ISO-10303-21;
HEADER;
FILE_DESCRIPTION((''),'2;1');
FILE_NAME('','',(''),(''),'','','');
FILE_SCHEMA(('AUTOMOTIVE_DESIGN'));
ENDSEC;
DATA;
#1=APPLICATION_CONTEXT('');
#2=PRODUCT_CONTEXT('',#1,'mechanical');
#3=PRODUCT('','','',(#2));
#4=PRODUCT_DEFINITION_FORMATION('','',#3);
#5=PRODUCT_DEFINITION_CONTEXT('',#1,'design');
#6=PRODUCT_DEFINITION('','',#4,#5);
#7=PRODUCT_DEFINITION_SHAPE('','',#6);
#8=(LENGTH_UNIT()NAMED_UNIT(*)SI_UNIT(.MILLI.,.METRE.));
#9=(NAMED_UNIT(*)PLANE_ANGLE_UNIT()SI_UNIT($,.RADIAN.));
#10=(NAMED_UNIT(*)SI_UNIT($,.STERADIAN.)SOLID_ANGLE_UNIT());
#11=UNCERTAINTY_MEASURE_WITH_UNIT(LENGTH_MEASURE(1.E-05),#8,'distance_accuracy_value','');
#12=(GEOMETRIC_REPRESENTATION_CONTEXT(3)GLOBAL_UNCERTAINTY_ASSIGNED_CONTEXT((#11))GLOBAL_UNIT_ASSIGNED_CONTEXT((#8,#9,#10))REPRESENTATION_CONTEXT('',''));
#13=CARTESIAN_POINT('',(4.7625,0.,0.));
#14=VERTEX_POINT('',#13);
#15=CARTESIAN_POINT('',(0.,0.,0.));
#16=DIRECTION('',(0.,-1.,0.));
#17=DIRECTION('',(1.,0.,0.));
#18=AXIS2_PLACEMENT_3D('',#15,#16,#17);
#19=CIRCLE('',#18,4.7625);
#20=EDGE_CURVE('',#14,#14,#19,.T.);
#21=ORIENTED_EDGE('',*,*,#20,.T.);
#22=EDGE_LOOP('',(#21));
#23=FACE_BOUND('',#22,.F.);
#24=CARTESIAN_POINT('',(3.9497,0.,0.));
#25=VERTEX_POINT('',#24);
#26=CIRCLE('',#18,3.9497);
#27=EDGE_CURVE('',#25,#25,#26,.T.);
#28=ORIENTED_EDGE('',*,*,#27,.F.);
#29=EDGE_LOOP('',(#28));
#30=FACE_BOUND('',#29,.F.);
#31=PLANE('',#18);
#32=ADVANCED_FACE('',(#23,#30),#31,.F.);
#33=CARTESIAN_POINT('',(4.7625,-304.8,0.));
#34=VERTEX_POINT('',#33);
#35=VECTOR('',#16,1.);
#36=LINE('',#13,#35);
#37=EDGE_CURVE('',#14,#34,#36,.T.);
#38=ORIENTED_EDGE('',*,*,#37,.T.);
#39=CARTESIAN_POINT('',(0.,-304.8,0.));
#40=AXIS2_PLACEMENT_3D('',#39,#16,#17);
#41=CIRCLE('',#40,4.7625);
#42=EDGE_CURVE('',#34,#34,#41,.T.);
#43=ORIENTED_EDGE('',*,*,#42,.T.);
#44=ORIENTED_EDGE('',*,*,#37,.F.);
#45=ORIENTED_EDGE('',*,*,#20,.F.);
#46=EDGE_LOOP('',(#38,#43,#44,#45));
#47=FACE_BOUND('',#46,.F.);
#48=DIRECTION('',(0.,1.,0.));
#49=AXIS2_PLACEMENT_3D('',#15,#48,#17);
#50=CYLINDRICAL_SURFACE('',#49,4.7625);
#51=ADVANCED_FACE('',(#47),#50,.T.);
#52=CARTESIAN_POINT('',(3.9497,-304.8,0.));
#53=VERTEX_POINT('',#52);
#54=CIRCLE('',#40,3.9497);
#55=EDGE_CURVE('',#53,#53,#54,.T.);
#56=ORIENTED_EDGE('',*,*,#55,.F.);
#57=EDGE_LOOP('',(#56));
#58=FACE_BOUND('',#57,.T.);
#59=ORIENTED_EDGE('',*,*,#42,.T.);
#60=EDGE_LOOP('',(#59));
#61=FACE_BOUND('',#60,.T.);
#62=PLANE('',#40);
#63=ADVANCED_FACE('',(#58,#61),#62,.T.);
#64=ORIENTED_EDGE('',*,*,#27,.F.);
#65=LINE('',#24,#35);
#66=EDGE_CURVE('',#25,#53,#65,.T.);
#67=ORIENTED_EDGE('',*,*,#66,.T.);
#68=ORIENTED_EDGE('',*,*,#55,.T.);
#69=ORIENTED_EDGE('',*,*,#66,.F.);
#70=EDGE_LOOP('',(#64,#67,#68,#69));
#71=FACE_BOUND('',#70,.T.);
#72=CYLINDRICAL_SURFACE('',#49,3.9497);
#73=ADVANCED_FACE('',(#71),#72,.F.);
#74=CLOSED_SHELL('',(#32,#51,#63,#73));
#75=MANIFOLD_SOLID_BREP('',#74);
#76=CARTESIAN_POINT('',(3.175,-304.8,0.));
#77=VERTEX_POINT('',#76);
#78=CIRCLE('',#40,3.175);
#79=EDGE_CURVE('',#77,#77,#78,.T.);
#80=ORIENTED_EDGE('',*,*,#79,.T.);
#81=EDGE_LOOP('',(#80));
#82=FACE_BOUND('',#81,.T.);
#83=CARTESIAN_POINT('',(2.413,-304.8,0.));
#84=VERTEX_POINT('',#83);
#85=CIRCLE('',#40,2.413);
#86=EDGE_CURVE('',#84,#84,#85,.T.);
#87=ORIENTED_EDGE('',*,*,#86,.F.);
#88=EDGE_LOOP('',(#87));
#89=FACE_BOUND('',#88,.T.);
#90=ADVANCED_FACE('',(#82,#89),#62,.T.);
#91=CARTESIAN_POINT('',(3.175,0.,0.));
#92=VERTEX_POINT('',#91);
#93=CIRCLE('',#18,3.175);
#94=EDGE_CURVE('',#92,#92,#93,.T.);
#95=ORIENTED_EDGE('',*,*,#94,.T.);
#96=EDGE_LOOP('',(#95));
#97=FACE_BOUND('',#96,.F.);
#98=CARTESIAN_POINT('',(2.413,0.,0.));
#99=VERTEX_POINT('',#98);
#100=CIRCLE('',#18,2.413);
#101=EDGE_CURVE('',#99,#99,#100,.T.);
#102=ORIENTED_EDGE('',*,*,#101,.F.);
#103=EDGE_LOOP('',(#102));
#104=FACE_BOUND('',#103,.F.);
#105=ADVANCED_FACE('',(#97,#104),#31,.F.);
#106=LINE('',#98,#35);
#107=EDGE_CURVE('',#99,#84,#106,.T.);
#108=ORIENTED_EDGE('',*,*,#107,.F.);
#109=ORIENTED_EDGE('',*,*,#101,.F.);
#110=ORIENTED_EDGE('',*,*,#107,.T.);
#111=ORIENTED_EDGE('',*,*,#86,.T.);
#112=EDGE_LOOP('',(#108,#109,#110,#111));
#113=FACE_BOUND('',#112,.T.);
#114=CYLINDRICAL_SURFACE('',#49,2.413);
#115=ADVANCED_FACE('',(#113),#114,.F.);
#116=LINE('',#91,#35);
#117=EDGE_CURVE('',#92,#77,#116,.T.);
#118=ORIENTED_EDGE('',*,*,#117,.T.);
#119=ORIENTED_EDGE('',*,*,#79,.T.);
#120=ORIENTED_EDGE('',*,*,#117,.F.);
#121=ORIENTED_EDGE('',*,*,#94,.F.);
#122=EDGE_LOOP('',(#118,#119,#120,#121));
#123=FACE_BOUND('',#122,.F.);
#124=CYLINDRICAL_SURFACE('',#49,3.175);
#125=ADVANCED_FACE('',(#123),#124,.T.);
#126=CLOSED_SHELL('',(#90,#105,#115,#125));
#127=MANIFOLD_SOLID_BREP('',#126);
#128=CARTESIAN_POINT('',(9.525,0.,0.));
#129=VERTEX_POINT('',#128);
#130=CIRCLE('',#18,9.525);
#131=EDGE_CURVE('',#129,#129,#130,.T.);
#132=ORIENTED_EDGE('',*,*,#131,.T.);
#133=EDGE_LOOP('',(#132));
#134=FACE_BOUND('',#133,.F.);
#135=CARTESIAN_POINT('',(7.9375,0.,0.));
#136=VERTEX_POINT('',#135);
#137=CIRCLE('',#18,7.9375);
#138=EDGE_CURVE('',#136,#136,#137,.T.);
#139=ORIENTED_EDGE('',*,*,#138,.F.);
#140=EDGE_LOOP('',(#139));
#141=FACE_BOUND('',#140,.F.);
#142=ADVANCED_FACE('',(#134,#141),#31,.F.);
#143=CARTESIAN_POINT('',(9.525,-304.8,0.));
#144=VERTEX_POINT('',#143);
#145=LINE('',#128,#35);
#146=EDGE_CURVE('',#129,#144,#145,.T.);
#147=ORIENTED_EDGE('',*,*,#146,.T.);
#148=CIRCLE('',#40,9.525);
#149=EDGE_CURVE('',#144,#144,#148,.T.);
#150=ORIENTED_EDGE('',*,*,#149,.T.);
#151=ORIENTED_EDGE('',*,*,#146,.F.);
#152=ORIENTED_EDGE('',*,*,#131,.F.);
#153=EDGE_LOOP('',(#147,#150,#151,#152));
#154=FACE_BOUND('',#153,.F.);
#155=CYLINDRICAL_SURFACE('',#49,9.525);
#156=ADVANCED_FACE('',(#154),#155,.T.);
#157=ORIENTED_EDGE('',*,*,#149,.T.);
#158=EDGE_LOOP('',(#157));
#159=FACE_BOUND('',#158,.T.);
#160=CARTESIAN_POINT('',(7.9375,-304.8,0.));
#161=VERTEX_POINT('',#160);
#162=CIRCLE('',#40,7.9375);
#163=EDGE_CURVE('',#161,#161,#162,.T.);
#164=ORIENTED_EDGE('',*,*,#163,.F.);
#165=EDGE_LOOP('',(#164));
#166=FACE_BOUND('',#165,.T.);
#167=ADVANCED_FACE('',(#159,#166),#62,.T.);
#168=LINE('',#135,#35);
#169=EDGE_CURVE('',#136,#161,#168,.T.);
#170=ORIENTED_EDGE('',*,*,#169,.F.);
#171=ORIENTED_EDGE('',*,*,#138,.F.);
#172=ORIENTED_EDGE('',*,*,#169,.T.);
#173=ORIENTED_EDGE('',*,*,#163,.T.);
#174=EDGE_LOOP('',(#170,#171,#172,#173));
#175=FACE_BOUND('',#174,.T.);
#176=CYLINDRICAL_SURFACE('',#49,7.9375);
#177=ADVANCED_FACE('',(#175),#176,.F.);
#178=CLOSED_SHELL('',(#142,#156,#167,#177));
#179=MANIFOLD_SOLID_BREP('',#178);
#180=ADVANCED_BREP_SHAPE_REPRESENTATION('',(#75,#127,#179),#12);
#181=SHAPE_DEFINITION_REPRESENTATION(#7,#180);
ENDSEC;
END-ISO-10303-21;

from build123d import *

# Parameters (mm, degrees)
F0_R     = 3.175
F0_R_2   = 2.413
F1_DEPTH = 304.8
F0_R_3   = 4.7625
F0_R_4   = 3.9497
F0_R_5   = 9.525
F0_R_6   = 7.9375


with BuildPart() as f1:
    # F0 (on Front) → F1 (new body)
    with BuildSketch(Plane.XZ):
        Circle(F0_R)
        Circle(F0_R_2, mode=Mode.SUBTRACT)
    extrude(amount=F1_DEPTH)


with BuildPart() as f1b:
    # F0 (on Front) → F1, piece 2 (new body)
    with BuildSketch(Plane.XZ):
        Circle(F0_R_3)
        Circle(F0_R_4, mode=Mode.SUBTRACT)
    extrude(amount=F1_DEPTH)


with BuildPart() as f1c:
    # F0 (on Front) → F1, piece 3 (new body)
    with BuildSketch(Plane.XZ):
        Circle(F0_R_5)
        Circle(F0_R_6, mode=Mode.SUBTRACT)
    extrude(amount=F1_DEPTH)


solid = Compound([f1.part, f1b.part, f1c.part])
